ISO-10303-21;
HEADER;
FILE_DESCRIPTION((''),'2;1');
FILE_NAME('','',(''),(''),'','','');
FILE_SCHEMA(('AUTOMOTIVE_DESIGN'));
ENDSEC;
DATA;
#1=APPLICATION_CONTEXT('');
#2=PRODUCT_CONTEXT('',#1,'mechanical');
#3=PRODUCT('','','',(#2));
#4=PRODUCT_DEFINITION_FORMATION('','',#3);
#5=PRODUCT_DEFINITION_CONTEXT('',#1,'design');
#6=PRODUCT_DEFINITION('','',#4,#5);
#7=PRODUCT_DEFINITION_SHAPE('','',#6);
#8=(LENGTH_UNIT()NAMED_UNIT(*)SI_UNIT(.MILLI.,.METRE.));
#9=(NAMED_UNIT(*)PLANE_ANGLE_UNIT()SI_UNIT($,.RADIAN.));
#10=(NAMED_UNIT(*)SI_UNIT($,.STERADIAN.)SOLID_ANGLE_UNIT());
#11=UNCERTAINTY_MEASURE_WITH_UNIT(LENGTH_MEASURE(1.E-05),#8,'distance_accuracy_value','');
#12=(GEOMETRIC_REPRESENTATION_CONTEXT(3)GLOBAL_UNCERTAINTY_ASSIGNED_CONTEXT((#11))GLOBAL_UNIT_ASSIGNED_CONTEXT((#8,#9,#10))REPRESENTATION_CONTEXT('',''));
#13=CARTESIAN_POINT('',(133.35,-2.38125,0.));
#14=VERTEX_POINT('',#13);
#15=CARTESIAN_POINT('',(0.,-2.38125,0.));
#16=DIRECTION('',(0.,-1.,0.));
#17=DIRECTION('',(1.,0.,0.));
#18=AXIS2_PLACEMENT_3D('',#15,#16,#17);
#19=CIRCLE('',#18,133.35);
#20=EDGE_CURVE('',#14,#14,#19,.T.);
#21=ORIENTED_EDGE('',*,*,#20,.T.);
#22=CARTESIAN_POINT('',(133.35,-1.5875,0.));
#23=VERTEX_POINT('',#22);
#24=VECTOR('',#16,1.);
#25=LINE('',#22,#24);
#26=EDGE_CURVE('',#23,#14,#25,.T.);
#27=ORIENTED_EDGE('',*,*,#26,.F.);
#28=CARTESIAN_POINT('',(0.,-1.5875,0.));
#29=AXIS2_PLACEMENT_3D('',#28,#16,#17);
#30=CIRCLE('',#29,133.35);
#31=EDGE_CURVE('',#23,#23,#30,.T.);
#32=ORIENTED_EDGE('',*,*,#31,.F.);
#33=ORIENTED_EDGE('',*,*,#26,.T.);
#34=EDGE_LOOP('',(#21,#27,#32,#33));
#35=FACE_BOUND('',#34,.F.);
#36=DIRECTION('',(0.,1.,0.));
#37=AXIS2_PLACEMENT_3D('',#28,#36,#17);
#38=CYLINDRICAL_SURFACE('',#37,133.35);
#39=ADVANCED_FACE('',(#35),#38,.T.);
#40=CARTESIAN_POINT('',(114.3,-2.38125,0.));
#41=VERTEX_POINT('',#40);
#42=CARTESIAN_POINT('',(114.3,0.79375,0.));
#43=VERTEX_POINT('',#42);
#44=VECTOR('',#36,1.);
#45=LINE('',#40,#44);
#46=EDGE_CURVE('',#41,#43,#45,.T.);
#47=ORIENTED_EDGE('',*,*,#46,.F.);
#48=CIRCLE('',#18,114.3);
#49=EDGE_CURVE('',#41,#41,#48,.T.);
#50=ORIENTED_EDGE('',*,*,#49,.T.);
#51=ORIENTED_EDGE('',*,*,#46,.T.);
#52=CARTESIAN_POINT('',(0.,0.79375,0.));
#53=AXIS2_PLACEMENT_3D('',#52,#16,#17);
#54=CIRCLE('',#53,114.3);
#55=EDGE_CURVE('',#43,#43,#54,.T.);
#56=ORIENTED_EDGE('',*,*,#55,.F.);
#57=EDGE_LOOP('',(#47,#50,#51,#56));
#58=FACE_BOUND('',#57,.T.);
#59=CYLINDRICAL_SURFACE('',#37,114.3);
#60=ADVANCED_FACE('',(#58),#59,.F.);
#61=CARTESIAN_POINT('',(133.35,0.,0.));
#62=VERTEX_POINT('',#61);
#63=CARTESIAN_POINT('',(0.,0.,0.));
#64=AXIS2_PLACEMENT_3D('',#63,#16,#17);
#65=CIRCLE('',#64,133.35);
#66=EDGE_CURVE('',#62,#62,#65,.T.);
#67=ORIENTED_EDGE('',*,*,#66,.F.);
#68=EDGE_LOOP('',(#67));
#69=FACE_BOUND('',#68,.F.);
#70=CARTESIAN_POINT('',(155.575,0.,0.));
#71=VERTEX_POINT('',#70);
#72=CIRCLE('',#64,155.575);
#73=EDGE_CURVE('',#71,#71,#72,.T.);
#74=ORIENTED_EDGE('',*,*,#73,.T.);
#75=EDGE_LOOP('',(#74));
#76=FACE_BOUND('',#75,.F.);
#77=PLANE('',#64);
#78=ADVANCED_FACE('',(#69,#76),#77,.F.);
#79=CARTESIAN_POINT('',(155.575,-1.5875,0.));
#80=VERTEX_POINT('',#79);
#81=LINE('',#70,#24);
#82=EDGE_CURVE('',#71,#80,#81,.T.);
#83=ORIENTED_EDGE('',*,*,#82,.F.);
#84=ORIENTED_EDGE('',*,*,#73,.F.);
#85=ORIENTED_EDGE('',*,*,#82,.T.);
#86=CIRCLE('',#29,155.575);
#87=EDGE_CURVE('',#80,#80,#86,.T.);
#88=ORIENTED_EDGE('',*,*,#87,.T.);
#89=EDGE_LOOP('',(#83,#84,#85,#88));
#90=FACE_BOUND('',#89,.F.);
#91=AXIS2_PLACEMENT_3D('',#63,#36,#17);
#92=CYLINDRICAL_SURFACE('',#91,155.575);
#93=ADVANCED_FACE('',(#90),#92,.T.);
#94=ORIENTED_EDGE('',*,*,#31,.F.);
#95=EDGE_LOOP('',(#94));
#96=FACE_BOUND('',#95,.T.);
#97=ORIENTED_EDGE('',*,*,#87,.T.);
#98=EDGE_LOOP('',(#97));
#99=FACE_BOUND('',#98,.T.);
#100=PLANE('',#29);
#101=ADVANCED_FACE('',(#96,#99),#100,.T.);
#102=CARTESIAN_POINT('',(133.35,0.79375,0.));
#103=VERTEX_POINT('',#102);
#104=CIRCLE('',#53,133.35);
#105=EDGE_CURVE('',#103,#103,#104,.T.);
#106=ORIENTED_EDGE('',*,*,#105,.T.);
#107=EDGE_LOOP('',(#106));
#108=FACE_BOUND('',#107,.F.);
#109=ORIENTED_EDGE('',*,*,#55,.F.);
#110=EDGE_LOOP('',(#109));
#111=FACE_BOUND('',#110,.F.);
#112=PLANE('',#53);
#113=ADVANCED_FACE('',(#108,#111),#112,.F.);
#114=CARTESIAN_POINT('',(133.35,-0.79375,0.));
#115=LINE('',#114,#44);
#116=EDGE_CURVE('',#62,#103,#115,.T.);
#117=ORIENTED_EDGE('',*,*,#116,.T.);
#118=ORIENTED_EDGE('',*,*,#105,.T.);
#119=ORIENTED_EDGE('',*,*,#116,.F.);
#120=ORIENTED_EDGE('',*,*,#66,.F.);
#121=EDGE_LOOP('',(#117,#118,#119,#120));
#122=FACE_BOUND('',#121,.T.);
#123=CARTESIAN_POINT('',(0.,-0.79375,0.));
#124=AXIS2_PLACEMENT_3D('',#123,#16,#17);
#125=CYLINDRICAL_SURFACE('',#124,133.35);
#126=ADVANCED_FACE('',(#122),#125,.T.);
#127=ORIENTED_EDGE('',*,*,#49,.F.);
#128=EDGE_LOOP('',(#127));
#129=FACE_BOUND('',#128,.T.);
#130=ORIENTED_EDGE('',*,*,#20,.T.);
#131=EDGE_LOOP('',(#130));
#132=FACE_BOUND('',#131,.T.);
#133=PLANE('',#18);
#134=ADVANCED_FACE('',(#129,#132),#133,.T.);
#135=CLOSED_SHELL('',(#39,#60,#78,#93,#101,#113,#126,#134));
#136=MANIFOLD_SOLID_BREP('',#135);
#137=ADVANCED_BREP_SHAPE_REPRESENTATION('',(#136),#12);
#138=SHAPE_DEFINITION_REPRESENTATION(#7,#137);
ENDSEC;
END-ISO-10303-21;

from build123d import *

# Parameters (mm, degrees)
F0_R     = 155.575
F0_R_2   = 114.3
F1_DEPTH = 1.5875
F4_R     = 133.35
F4_R_2   = 114.3
F5_DEPTH = 1.5875
F6_R     = 133.35
F6_R_2   = 114.3
F7_DEPTH = 0.79375


with BuildPart() as f1:
    # F0 (on Front) → F1 (new body)
    with BuildSketch(Plane.XZ):
        Circle(F0_R)
        Circle(F0_R_2, mode=Mode.SUBTRACT)
    extrude(amount=F1_DEPTH)

    # F4 (on offset) → F5 (join)
    with BuildSketch(Plane.XZ.offset(0.79375)):
        Circle(F4_R)
        Circle(F4_R_2, mode=Mode.SUBTRACT)
    extrude(amount=-F5_DEPTH)

    # F6 (on offset) → F7 (join)
    with BuildSketch(Plane.XZ.offset(1.5875)):
        Circle(F6_R)
        Circle(F6_R_2, mode=Mode.SUBTRACT)
    extrude(amount=F7_DEPTH)


solid = f1.part
